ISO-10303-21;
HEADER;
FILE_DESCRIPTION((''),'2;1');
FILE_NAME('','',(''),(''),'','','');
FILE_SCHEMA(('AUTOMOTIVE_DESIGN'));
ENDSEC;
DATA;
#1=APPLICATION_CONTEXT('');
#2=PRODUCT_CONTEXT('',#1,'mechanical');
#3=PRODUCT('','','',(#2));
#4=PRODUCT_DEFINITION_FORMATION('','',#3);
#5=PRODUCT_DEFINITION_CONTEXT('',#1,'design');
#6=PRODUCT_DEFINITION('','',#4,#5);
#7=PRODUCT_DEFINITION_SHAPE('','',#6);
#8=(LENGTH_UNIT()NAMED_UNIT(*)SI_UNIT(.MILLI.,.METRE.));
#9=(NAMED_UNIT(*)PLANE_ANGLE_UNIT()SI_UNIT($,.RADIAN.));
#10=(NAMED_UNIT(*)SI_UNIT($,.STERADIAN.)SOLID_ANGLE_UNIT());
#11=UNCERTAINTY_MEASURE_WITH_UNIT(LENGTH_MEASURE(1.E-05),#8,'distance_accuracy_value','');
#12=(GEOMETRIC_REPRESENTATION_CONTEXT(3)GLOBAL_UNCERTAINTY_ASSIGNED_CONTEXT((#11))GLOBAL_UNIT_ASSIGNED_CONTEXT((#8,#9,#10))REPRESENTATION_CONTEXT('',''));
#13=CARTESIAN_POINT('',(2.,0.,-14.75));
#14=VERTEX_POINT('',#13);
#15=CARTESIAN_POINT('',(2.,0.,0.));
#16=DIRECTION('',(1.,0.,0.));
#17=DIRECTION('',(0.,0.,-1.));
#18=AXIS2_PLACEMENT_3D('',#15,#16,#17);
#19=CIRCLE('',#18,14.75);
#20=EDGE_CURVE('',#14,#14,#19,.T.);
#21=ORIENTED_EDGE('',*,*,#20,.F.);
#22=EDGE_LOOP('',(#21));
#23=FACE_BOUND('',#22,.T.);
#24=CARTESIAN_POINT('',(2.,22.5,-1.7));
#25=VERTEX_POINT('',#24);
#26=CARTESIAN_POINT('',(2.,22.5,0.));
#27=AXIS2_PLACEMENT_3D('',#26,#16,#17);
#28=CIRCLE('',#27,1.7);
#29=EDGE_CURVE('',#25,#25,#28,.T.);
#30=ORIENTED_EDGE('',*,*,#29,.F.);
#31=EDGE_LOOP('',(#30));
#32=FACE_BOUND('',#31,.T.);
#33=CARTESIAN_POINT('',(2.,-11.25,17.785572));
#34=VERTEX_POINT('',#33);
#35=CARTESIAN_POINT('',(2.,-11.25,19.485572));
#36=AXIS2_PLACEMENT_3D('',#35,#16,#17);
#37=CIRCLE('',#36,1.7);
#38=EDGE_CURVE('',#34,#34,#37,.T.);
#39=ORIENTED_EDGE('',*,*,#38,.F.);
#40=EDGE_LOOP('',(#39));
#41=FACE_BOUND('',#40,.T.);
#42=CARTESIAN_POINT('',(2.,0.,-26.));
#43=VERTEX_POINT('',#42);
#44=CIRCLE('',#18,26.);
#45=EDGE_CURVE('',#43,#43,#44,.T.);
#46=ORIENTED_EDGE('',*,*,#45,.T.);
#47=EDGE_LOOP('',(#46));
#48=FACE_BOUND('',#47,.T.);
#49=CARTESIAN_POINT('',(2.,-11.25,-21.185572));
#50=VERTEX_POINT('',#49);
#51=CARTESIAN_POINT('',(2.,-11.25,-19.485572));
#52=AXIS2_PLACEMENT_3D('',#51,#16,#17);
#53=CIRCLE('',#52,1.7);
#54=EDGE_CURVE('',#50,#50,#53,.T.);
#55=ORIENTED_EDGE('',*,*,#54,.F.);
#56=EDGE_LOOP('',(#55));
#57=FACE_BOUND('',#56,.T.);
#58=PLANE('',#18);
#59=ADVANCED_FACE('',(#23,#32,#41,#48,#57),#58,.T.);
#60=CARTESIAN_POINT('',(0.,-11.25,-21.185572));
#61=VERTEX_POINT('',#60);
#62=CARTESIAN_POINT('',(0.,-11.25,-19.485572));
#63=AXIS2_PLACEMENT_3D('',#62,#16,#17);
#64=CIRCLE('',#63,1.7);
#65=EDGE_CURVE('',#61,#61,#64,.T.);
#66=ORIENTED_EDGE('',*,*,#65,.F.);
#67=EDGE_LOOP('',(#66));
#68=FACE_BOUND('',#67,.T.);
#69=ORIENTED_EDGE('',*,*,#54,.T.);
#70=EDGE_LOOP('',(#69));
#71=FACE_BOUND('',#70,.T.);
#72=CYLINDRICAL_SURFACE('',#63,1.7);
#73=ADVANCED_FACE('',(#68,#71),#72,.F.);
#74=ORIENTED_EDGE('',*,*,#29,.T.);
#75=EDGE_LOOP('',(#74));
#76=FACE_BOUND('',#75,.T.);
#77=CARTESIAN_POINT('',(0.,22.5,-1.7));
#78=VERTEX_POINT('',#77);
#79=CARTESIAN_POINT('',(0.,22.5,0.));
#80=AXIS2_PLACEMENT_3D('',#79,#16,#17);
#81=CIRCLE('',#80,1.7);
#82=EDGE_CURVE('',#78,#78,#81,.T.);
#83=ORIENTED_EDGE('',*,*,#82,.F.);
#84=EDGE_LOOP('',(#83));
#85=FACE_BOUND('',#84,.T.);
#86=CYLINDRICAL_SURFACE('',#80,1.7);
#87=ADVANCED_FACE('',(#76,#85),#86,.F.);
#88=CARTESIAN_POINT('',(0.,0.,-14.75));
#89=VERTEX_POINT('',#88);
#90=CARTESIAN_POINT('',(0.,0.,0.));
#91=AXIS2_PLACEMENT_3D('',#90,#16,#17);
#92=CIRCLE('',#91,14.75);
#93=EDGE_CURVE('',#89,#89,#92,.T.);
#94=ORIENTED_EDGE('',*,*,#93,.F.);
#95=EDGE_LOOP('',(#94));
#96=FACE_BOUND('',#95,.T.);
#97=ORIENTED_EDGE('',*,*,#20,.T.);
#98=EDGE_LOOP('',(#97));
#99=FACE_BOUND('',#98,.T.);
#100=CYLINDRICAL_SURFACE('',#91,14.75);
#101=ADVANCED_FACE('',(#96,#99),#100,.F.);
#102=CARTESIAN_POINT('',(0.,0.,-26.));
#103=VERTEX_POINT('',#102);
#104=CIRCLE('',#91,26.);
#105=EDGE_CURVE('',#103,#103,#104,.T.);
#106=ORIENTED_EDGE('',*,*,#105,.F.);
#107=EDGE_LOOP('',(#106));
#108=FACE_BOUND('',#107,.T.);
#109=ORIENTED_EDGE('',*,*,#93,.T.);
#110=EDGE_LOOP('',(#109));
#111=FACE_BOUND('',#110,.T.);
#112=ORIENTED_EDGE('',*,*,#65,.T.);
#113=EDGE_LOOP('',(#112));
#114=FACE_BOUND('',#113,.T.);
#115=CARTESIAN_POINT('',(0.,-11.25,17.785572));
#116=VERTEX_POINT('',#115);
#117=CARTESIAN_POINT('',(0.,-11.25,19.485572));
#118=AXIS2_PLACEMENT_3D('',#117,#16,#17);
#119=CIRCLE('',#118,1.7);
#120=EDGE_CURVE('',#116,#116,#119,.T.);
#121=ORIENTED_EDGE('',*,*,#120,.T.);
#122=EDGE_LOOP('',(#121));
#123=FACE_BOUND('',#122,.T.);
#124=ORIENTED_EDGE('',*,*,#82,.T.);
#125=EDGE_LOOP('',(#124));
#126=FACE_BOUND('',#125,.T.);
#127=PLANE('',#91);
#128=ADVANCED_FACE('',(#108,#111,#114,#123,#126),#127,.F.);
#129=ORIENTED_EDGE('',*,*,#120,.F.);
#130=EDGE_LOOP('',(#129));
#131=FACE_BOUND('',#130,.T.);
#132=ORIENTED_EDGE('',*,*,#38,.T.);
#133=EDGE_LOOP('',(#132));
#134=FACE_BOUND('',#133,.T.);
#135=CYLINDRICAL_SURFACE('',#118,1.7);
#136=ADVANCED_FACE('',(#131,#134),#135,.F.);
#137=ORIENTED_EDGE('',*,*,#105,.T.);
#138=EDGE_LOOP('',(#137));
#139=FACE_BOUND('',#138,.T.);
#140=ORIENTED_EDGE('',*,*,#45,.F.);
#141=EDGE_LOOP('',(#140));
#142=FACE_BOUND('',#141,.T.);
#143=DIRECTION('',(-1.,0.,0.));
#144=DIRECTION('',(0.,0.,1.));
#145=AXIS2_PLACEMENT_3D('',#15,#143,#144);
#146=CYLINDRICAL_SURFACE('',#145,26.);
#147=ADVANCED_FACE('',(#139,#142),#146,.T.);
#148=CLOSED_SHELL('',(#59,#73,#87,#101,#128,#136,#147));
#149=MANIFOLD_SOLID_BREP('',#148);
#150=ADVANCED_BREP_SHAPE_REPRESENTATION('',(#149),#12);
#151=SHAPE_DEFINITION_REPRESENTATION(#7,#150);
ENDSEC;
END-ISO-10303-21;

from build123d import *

# Parameters (mm, degrees)
SKETCH1_R           = 26
BOSS_EXTRUDE1_DEPTH = 2
SKETCH2_R           = 14.75
CUT_EXTRUDE1_DEPTH  = 37.823905279
SKETCH3_R           = 1.7
CUT_EXTRUDE2_DEPTH  = 37.823905279


with BuildPart() as part:
    # Sketch1 → Boss-Extrude1 (new body)
    with BuildSketch(Plane.YZ):
        with Locations(Location((0, 0, 0), (0, 0, 270))):
            Circle(SKETCH1_R)
    extrude(amount=BOSS_EXTRUDE1_DEPTH)

    # Sketch2 → Cut-Extrude1 (cut, through all)
    with BuildSketch(Plane.YZ.offset(2)):
        with Locations(Location((0, 0, 0), (0, 0, 270))):
            Circle(SKETCH2_R)
    extrude(amount=-CUT_EXTRUDE1_DEPTH, mode=Mode.SUBTRACT)

    # Sketch3 → Cut-Extrude2 (cut, through all)
    with BuildSketch(Plane.YZ.offset(2)):
        with Locations(Location((22.5, 0, 0), (0, 0, 270))):
            Circle(SKETCH3_R)
        with Locations(Location((-11.25, -19.485571585, 0), (0, 0, 270))):
            Circle(SKETCH3_R)
        with Locations(Location((-11.25, 19.485571585, 0), (0, 0, 270))):
            Circle(SKETCH3_R)
    extrude(amount=-CUT_EXTRUDE2_DEPTH, mode=Mode.SUBTRACT)


solid = part.part
